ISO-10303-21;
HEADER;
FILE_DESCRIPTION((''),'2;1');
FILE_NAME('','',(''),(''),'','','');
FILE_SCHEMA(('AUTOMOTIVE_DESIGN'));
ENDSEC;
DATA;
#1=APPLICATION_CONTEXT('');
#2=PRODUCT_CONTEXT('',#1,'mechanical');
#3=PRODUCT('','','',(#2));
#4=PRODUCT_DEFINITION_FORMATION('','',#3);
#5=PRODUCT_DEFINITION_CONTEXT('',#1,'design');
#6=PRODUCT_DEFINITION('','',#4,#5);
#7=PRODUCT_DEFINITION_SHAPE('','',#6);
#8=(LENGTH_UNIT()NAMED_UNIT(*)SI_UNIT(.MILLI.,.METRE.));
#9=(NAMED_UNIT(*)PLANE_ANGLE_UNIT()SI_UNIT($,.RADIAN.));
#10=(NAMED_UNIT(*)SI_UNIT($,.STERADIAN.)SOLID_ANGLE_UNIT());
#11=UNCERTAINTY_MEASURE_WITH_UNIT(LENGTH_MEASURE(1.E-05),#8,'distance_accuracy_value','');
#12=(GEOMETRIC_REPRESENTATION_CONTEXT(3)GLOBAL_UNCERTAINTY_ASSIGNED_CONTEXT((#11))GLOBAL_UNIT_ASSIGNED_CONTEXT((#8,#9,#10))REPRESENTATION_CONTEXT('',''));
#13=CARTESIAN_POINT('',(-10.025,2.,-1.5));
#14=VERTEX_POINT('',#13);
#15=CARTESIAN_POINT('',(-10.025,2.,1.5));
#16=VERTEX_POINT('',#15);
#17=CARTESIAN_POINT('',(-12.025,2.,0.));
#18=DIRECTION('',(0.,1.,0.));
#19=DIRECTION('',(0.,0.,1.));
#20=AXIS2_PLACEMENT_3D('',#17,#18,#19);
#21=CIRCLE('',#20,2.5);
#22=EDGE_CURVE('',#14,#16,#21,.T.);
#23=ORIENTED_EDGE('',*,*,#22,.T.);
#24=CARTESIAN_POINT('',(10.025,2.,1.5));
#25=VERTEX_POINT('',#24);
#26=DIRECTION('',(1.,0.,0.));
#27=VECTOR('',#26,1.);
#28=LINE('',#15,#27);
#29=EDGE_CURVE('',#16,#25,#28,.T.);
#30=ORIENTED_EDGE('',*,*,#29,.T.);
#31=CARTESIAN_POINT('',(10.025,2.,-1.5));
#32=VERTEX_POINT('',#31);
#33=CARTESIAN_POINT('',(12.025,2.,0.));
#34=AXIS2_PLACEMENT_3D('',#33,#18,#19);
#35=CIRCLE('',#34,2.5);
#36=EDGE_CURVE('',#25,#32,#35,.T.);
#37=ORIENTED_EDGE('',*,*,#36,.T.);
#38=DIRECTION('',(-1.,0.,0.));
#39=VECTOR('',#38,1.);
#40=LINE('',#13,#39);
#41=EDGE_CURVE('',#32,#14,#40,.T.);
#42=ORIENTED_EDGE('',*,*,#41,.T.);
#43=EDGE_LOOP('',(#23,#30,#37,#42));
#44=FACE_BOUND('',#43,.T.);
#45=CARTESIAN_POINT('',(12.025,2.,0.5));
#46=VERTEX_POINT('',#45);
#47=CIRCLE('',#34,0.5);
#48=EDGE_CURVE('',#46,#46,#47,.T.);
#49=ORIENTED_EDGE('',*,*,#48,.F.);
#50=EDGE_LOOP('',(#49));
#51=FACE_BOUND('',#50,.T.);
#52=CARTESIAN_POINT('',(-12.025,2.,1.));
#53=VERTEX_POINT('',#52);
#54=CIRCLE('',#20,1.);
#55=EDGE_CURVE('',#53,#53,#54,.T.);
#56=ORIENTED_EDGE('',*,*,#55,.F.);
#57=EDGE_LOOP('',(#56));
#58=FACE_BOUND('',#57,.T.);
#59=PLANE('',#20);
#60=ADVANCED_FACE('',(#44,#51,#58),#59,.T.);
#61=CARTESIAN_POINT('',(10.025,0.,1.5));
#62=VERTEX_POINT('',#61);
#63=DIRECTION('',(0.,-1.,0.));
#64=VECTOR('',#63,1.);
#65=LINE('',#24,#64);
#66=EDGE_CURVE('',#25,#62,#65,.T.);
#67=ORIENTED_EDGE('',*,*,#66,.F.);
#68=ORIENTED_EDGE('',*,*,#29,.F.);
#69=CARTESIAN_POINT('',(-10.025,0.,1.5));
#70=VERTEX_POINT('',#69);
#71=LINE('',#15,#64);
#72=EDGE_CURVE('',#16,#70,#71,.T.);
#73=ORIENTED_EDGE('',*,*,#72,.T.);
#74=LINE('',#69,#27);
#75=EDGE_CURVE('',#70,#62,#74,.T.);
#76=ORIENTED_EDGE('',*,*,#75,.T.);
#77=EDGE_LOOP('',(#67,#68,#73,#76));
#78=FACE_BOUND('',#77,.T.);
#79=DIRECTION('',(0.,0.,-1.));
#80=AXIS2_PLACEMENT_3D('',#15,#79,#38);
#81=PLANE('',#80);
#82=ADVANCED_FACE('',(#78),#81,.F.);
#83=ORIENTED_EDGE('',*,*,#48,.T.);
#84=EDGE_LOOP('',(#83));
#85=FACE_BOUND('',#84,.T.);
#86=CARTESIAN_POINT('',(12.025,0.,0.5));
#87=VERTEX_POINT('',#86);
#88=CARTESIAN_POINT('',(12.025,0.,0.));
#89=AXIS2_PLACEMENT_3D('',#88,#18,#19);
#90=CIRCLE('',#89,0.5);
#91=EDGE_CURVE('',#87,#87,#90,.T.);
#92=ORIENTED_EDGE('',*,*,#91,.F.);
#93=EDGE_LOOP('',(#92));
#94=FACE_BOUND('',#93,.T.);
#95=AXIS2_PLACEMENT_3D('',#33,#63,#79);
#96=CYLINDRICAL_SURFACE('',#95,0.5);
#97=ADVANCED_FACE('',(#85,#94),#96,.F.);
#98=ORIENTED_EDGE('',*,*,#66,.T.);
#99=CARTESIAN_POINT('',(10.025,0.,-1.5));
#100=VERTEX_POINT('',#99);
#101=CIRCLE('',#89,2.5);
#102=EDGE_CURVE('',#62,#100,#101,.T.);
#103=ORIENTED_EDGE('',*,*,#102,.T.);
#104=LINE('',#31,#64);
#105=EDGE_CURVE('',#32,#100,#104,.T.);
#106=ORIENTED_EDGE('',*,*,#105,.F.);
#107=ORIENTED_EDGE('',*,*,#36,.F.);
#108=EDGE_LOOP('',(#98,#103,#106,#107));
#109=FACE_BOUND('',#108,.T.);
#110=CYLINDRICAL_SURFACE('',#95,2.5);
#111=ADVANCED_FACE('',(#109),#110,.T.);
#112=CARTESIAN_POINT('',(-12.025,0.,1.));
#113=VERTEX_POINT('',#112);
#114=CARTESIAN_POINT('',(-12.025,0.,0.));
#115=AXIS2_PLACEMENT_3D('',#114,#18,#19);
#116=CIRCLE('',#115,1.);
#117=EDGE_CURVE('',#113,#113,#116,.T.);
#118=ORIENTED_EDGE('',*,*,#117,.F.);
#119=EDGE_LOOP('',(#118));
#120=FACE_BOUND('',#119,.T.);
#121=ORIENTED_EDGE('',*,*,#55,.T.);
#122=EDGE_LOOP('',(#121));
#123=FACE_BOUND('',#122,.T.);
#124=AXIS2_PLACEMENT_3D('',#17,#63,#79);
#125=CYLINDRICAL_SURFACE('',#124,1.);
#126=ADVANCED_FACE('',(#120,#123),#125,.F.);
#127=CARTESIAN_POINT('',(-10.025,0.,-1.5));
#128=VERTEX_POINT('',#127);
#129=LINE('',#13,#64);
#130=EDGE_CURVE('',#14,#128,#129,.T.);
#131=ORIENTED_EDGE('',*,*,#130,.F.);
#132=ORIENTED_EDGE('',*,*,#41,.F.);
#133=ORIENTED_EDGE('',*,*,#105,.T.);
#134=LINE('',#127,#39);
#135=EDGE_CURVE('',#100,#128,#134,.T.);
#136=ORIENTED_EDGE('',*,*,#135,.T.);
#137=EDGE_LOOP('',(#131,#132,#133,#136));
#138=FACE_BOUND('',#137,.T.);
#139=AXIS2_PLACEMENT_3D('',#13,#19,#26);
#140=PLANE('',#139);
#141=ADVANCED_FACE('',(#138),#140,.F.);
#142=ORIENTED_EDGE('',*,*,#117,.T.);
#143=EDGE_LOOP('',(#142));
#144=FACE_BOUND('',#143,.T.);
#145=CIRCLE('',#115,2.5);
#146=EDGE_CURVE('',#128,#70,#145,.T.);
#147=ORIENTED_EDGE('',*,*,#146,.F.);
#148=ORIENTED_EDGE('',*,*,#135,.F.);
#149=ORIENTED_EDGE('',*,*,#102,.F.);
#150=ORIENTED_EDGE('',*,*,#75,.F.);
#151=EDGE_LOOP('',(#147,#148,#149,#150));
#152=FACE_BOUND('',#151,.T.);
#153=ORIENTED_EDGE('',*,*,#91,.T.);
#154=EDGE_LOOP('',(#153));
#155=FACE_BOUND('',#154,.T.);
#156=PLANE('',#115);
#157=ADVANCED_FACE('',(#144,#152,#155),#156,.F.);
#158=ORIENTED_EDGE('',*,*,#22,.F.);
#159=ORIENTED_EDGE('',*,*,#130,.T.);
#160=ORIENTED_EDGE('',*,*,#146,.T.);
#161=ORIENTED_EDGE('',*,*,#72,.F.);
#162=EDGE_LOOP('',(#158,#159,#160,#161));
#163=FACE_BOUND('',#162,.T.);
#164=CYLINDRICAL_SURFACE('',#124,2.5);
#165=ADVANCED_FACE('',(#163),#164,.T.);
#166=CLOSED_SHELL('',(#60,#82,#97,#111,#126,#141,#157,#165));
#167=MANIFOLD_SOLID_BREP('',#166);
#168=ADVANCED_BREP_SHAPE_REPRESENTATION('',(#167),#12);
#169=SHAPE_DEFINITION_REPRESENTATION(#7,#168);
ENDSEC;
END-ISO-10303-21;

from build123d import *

# Parameters (mm, degrees)
SKETCH1_R           = 0.5
SKETCH1_R_2         = 1
BOSS_EXTRUDE1_DEPTH = 2


with BuildPart() as part:
    # Sketch1 → Boss-Extrude1 (new body)
    with BuildSketch(Plane(origin=(0, 0, 0), x_dir=(1, 0, 0), z_dir=(0, 1, 0))):
        with BuildLine():
            Line((-10.025, 1.5), (10.025, 1.5))
            ThreePointArc((10.025, 1.5), (14.525, 0), (10.025, -1.5))
            Line((10.025, -1.5), (-10.025, -1.5))
            ThreePointArc((-10.025, -1.5), (-14.525, 0), (-10.025, 1.5))
        make_face()
        with Locations(Location((12.025, 0, 0), (0, 0, 270))):
            Circle(SKETCH1_R, mode=Mode.SUBTRACT)
        with Locations(Location((-12.025, 0, 0), (0, 0, 270))):
            Circle(SKETCH1_R_2, mode=Mode.SUBTRACT)
    extrude(amount=BOSS_EXTRUDE1_DEPTH)


solid = part.part
